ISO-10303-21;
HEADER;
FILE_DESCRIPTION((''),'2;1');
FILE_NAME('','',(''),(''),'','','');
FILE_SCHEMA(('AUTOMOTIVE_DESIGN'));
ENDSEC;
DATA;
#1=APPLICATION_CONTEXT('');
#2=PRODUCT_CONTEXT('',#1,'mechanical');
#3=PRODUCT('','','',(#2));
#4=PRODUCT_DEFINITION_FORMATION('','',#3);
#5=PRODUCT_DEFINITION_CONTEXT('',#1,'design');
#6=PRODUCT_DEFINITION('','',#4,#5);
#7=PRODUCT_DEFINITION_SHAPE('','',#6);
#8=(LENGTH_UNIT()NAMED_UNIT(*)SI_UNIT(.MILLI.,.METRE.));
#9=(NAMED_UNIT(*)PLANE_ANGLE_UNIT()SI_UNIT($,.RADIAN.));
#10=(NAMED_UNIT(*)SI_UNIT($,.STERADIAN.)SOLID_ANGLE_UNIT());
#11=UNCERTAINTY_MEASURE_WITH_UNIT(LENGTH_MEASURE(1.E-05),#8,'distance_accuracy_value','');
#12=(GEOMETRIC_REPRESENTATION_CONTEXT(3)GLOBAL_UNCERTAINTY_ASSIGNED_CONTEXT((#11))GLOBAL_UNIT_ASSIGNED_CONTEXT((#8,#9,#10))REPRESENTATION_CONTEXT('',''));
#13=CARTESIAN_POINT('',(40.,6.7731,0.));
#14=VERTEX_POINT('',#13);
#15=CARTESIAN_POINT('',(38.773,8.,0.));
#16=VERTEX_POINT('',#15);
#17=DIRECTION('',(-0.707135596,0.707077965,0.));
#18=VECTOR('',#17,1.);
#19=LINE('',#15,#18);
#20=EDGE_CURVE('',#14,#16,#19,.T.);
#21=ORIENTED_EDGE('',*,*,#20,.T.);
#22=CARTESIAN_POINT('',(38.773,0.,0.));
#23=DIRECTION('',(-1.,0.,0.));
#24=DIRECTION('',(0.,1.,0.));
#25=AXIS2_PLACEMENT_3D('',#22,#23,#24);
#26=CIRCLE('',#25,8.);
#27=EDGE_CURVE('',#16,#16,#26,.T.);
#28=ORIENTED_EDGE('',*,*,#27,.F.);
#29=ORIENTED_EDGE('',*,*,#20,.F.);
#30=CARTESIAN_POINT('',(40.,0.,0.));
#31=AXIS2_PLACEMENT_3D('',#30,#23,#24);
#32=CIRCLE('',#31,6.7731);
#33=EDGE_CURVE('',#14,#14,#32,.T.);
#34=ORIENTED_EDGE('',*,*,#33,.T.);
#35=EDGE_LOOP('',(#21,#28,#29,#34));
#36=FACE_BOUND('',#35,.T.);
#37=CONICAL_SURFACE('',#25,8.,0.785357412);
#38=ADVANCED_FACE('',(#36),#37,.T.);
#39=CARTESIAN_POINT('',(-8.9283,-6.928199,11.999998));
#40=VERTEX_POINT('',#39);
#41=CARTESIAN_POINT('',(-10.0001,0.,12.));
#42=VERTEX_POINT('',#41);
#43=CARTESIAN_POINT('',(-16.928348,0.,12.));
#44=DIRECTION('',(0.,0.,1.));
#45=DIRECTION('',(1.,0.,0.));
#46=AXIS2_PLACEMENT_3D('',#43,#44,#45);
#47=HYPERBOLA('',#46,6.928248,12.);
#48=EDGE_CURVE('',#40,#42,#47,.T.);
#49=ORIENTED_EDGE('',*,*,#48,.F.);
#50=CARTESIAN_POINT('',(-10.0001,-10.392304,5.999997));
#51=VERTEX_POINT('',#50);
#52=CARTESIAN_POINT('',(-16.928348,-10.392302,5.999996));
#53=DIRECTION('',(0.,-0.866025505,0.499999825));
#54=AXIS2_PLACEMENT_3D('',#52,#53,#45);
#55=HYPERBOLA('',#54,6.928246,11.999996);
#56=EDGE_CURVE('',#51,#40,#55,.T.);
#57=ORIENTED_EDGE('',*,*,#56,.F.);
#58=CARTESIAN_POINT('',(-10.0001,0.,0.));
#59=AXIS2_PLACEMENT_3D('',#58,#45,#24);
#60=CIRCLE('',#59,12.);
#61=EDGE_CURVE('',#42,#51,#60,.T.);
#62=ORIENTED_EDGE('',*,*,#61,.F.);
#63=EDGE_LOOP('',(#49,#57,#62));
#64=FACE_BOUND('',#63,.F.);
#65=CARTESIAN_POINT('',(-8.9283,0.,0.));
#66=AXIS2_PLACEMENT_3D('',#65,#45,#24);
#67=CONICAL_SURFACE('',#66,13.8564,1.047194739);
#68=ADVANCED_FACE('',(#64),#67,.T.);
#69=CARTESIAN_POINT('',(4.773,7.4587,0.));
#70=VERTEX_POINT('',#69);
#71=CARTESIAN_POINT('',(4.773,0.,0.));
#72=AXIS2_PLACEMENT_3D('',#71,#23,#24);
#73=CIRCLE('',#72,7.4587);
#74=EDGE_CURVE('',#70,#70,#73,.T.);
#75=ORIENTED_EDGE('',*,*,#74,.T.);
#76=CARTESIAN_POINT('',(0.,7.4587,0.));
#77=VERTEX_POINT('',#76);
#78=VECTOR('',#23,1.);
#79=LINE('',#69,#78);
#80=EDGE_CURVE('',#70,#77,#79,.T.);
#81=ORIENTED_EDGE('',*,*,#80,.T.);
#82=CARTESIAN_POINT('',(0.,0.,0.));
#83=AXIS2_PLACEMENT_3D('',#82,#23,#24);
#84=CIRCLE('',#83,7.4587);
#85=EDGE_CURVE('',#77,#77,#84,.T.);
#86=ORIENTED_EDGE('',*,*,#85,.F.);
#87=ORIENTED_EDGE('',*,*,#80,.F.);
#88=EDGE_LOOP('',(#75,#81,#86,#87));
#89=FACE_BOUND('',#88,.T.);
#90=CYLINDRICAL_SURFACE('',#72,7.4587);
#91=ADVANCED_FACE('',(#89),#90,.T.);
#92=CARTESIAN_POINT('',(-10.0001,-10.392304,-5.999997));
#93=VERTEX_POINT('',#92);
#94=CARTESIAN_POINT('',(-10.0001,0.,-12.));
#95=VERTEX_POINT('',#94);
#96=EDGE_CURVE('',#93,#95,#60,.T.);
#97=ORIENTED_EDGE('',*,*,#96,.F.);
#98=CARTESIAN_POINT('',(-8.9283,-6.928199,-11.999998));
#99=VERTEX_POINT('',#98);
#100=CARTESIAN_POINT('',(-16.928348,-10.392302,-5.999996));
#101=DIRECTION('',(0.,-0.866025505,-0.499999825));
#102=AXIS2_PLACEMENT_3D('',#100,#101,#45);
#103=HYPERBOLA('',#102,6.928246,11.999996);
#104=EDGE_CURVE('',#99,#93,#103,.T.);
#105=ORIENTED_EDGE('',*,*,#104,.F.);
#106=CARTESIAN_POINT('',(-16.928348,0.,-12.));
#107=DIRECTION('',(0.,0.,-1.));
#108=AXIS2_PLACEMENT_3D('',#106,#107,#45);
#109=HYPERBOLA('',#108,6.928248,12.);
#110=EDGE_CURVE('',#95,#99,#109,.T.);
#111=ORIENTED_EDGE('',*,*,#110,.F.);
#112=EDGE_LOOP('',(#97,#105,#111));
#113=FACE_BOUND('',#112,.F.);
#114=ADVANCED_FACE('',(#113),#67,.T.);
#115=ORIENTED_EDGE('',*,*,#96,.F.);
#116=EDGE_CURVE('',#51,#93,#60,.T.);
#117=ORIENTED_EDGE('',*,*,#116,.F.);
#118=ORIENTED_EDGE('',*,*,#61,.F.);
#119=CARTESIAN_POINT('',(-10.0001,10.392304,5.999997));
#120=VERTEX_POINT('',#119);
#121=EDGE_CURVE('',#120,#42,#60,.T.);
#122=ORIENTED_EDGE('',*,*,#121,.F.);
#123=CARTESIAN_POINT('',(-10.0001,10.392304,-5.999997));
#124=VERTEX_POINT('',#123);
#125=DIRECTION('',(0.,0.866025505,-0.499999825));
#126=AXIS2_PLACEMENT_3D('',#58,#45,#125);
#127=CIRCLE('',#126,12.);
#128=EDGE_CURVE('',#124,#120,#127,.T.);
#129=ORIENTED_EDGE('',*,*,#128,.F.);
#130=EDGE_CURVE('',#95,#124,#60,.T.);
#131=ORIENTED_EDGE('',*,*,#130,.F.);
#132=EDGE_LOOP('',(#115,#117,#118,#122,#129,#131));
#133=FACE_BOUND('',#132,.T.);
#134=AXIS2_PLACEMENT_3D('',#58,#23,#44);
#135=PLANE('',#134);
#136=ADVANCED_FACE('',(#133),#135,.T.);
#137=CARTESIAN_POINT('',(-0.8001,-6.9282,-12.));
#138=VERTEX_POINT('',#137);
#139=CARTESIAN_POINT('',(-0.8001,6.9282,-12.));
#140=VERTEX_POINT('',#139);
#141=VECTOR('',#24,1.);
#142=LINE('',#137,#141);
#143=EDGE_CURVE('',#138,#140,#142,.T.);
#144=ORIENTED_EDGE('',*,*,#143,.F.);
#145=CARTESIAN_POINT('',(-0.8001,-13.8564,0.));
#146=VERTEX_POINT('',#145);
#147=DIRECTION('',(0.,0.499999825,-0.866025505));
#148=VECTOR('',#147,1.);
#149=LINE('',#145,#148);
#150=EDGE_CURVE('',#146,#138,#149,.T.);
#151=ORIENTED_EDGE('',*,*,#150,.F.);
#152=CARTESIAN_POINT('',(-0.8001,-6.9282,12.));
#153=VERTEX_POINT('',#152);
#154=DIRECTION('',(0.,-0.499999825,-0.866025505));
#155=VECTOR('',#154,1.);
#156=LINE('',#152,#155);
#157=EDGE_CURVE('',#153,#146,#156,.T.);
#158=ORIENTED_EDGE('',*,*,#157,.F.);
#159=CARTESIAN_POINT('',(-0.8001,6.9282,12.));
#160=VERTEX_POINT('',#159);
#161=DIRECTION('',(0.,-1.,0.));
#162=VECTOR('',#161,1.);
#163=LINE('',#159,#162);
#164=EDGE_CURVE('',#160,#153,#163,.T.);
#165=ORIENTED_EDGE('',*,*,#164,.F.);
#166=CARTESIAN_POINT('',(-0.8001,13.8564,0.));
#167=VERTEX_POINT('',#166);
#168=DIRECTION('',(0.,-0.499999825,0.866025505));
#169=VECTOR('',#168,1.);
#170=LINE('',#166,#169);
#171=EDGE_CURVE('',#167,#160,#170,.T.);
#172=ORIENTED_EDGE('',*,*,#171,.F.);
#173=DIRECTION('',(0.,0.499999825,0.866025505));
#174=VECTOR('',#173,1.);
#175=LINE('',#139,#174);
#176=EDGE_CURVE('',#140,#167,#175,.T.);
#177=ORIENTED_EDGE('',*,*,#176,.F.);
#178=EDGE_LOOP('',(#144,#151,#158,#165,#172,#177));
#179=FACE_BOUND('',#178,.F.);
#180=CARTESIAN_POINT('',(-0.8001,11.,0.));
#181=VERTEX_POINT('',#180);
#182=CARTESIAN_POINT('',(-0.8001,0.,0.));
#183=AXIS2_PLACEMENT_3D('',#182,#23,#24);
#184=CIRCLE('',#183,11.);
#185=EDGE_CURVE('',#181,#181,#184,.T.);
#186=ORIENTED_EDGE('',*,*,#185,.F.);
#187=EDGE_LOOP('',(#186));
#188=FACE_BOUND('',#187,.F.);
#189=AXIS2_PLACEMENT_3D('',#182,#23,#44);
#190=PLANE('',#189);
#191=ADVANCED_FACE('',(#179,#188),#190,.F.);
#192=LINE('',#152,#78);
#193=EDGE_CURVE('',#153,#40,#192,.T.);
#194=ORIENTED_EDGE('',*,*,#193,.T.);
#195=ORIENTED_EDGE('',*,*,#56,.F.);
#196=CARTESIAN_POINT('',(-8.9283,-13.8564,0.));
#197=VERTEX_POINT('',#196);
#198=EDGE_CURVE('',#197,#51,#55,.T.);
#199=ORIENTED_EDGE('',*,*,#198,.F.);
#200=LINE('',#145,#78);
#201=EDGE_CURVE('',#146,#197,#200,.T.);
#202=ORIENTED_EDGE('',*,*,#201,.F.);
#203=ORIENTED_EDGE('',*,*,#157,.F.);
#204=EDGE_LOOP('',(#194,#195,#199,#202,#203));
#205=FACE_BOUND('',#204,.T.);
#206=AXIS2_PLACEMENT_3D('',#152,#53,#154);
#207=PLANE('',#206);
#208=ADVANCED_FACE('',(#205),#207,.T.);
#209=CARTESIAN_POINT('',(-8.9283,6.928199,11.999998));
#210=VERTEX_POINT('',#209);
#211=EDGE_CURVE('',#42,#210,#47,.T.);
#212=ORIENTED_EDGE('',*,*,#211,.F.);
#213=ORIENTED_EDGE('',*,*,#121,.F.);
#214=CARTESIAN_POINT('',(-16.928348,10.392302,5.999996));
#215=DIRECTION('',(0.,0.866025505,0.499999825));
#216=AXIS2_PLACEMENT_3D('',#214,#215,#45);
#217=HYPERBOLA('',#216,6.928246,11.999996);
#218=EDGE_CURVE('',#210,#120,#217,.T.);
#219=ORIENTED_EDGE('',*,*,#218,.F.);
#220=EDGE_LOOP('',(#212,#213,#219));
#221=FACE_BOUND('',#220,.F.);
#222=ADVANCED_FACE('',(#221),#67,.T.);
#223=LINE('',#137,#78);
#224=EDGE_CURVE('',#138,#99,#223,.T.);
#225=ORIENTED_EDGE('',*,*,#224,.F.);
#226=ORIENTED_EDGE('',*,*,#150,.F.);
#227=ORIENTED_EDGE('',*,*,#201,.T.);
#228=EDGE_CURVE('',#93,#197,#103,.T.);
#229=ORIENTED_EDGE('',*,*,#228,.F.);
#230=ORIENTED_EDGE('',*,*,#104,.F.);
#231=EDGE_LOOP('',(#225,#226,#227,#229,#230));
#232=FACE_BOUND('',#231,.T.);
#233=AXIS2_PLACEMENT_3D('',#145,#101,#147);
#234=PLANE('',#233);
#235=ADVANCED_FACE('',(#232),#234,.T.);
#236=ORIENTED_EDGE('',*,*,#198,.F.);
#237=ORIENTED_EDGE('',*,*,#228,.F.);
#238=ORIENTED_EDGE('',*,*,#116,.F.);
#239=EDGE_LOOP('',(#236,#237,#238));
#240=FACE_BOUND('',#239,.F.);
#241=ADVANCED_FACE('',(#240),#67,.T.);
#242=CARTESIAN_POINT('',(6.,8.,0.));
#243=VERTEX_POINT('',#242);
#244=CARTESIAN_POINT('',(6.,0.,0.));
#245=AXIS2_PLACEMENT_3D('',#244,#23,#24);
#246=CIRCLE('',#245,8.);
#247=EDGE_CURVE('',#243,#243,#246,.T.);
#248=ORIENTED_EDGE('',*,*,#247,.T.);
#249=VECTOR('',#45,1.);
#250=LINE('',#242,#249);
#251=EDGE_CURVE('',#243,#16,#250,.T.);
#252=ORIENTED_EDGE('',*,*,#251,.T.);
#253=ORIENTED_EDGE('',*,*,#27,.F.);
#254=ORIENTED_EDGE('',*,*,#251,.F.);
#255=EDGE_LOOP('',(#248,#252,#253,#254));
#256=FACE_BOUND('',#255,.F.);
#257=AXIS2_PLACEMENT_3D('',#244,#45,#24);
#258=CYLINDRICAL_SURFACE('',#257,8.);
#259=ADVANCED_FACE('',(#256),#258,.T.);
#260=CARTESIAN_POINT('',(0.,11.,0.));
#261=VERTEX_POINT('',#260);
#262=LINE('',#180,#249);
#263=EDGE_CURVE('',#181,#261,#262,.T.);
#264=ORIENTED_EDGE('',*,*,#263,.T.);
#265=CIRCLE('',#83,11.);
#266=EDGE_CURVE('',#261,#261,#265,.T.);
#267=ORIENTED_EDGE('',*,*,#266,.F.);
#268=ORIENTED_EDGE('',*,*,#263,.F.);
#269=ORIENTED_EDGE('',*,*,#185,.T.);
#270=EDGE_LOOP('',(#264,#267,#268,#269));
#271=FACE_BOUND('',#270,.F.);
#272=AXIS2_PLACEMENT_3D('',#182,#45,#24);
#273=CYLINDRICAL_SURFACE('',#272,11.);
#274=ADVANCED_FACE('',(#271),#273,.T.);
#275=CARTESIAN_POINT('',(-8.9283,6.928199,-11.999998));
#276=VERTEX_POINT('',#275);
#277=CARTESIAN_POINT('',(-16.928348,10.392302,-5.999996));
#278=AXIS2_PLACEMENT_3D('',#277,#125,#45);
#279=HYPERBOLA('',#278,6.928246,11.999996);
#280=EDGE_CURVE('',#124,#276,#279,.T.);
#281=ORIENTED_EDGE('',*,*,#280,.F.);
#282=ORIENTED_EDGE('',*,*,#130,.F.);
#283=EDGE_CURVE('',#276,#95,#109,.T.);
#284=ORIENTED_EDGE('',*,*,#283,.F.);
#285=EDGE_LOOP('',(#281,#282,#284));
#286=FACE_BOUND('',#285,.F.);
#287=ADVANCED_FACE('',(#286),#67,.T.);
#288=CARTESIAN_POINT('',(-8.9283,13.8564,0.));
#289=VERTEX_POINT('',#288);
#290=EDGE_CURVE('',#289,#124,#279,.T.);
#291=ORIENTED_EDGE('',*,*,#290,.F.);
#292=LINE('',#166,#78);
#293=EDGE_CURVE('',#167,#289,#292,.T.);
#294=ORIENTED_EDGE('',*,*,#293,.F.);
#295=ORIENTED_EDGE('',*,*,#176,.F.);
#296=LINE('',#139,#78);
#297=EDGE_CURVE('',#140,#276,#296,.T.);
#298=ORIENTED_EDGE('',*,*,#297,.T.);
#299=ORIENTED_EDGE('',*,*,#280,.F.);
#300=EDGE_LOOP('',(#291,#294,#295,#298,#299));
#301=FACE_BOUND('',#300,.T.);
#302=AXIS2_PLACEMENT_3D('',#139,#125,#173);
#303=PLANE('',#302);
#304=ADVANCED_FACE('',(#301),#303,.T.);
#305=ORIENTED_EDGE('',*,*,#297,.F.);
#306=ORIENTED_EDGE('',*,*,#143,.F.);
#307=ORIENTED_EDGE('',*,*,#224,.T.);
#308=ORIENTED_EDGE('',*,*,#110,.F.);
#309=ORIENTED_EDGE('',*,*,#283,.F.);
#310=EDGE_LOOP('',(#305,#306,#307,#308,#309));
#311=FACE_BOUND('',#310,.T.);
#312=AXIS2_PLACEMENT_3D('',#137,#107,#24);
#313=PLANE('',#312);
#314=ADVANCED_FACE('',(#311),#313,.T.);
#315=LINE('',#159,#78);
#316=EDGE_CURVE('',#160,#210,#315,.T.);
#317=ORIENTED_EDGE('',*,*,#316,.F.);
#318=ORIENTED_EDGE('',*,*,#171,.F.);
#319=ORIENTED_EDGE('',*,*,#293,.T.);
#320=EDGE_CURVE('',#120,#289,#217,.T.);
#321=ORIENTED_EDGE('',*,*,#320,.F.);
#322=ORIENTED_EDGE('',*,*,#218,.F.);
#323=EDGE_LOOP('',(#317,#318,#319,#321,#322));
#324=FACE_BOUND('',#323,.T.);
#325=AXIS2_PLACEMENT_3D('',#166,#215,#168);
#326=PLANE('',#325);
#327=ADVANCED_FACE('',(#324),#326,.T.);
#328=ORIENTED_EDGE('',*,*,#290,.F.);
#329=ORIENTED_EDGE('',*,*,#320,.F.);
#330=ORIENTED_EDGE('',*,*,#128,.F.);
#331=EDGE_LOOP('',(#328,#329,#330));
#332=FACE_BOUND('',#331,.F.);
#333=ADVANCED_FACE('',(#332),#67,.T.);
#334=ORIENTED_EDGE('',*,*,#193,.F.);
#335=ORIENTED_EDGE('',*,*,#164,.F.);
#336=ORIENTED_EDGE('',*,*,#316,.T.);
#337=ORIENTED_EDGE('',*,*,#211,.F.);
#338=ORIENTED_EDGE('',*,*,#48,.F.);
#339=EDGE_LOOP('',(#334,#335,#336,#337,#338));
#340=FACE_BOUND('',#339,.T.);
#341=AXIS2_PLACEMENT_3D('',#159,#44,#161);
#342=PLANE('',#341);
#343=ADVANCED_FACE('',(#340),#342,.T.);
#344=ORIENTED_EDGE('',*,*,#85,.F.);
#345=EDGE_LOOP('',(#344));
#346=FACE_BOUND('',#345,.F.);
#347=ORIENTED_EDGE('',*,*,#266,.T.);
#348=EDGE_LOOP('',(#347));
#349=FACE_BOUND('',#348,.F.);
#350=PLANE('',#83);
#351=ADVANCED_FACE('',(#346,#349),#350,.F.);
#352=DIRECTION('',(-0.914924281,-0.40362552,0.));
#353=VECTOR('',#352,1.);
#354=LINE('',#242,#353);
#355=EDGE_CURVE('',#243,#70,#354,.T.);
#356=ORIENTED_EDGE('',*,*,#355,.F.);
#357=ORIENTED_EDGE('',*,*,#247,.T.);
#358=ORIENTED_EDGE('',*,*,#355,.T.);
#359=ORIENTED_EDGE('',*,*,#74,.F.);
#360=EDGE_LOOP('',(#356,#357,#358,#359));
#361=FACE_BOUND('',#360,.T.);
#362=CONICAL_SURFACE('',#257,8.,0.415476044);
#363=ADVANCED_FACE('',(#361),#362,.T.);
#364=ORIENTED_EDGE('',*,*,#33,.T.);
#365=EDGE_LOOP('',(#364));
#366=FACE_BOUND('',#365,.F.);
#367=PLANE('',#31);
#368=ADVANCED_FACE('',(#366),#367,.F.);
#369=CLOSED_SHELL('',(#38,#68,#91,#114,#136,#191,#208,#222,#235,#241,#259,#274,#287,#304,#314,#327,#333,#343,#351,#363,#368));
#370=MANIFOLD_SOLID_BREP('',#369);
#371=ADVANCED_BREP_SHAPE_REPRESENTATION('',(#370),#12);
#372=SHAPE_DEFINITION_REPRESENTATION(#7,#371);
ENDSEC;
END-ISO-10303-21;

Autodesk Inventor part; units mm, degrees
ref_plane "YZ Plane" through (0, 0, 0) normal (1, 0, 0) x (0, 1, 0)
ref_plane "XZ Plane" through (0, 0, 0) normal (0, 1, 0) x (-1, 0, 0)
ref_plane "XY Plane" through (0, 0, 0) normal (0, 0, 1) x (1, 0, 0)
sketch "Skizze1" plane through (0, 0, 0) normal (0, 0, 1) x (1, 0, 0)
  line L0 (0, 11) -> (0, 7.4587)
  line L1 (6, 8) -> (40, 8)
  line L2 (40, 8) -> (40, 0)
  line L3 (40, 0) -> (-0.8001, 0)
  line L4 (-4.8801, 0) -> (52.24, 0) projected
  line L5 (-0.8001, 0) -> (-0.8001, 11)
  line L6 (-0.8001, 11) -> (0, 11)
  line L7 (6, 8) -> (4.773, 7.4587)
  line L8 (4.773, 7.4587) -> (0, 7.4587)
  line L9 (0, -1.1) -> (0, 14.3) projected
  dimension "d0" = 40
  dimension "d1" = 34
  dimension "d2" = 16
  dimension "d9" = 0.8001
  dimension "d10" = 22
  dimension "d13" = 1.227
  dimension "d14" = 14.9175
revolve "Körper" add sketch "Skizze1" angle 360 about axis through (40, 0, 0) along (-1, 0, 0)
sketch "Skizze2" plane through (-0.8001, 0, 0) normal (-1, 0, 0) x (0, 0, 1)
  line L0 (0, 13.8564) -> (12, 6.9282)
  line L1 (12, 6.9282) -> (12, -6.9282)
  line L2 (12, -6.9282) -> (0, -13.8564)
  line L3 (0, -13.8564) -> (-12, -6.9282)
  line L4 (-12, -6.9282) -> (-12, 6.9282)
  line L5 (-12, 6.9282) -> (0, 13.8564)
  point P0 (0, 0)
  point P1 (0, 0)
  dimension "d11" = 24
extrude "Kopf" add sketch "Skizze2" along normal blind 9.2
sketch "Skizze4" plane through (0, 0, 0) normal (0, 0, 1) x (1, 0, 0)
  line L0 (-10.0001, 12) -> (-10.0001, 13.8564)
  line L1 (-10.0001, 13.8564) -> (-8.9283, 13.8564)
  line L2 (-8.9283, 13.8564) -> (-10.0001, 12)
  line L3 (-10.9201, 0) -> (1.9599, 0) projected
  line L4 (-0.8001, 13.8564) -> (-10.0001, 13.8564) projected
  line L5 (-10.0001, 6.9282) -> (-10.0001, 13.8564) projected
  dimension "d5" = 30
  dimension "d19" = 24
revolve "Fase1" cut sketch "Skizze4" angle 360 about axis through (-10, 0, 0) along (1, 0, 0)
thread "Gewinde" size "M16x2" class "6g" standard "ANSI Metric M Profile" length 34
chamfer "Fase2" distance 1.2269 distance2 1.227 1 edges at (40, -8, 0) measured on face at (40, -0.1598, 1.3157)
equation "\"d0\" = NLG"
equation "\"d1\" = GEL"
equation "\"d2\" = GD"
equation "\"d10\" = SD2"
equation "\"d14\" = BDM"
equation "\"d11\" = SW"
equation "\"d3\" = KOH - SD"
equation "\"d5\" = ANG1"
equation "\"d19\" = SW0"
equation "\"d15\" = GEL"
equation "\"d6\" = -0.5 * SPD + 0.5 * GD"
equation "\"NLG\" = 40"
equation "\"GD\" = NND"
equation "\"BDM\" = 14.91747"
equation "\"KOH\" = 10"
equation "\"GEL\" = 34"
equation "\"SW\" = 24"
equation "\"SW0\" = 24"
equation "\"SPD\" = NND - 1.2269 * TPU"
equation "\"SD2\" = 22"
equation "\"SD\" = 0.8"
equation "\"ANG1\" = 30deg"
equation "\"GAL\" = 0.61345 * TPU"
equation "\"GUL\" = 0.61345 * TPU"
equation "\"RR\" = 0.6"
equation "\"TOA\" = 30deg"
equation "\"PTC\" = TPU"
equation "\"GD1\" = THREADDIA - 1.2269 * TPU"
equation "\"TPU\" = 2"
equation "\"THREADDIA\" = 16"
equation "\"E0\" = 1.155 * SW"
equation "\"NND\" = 16"
properties part number "DIN 933 - M16  x 40"
